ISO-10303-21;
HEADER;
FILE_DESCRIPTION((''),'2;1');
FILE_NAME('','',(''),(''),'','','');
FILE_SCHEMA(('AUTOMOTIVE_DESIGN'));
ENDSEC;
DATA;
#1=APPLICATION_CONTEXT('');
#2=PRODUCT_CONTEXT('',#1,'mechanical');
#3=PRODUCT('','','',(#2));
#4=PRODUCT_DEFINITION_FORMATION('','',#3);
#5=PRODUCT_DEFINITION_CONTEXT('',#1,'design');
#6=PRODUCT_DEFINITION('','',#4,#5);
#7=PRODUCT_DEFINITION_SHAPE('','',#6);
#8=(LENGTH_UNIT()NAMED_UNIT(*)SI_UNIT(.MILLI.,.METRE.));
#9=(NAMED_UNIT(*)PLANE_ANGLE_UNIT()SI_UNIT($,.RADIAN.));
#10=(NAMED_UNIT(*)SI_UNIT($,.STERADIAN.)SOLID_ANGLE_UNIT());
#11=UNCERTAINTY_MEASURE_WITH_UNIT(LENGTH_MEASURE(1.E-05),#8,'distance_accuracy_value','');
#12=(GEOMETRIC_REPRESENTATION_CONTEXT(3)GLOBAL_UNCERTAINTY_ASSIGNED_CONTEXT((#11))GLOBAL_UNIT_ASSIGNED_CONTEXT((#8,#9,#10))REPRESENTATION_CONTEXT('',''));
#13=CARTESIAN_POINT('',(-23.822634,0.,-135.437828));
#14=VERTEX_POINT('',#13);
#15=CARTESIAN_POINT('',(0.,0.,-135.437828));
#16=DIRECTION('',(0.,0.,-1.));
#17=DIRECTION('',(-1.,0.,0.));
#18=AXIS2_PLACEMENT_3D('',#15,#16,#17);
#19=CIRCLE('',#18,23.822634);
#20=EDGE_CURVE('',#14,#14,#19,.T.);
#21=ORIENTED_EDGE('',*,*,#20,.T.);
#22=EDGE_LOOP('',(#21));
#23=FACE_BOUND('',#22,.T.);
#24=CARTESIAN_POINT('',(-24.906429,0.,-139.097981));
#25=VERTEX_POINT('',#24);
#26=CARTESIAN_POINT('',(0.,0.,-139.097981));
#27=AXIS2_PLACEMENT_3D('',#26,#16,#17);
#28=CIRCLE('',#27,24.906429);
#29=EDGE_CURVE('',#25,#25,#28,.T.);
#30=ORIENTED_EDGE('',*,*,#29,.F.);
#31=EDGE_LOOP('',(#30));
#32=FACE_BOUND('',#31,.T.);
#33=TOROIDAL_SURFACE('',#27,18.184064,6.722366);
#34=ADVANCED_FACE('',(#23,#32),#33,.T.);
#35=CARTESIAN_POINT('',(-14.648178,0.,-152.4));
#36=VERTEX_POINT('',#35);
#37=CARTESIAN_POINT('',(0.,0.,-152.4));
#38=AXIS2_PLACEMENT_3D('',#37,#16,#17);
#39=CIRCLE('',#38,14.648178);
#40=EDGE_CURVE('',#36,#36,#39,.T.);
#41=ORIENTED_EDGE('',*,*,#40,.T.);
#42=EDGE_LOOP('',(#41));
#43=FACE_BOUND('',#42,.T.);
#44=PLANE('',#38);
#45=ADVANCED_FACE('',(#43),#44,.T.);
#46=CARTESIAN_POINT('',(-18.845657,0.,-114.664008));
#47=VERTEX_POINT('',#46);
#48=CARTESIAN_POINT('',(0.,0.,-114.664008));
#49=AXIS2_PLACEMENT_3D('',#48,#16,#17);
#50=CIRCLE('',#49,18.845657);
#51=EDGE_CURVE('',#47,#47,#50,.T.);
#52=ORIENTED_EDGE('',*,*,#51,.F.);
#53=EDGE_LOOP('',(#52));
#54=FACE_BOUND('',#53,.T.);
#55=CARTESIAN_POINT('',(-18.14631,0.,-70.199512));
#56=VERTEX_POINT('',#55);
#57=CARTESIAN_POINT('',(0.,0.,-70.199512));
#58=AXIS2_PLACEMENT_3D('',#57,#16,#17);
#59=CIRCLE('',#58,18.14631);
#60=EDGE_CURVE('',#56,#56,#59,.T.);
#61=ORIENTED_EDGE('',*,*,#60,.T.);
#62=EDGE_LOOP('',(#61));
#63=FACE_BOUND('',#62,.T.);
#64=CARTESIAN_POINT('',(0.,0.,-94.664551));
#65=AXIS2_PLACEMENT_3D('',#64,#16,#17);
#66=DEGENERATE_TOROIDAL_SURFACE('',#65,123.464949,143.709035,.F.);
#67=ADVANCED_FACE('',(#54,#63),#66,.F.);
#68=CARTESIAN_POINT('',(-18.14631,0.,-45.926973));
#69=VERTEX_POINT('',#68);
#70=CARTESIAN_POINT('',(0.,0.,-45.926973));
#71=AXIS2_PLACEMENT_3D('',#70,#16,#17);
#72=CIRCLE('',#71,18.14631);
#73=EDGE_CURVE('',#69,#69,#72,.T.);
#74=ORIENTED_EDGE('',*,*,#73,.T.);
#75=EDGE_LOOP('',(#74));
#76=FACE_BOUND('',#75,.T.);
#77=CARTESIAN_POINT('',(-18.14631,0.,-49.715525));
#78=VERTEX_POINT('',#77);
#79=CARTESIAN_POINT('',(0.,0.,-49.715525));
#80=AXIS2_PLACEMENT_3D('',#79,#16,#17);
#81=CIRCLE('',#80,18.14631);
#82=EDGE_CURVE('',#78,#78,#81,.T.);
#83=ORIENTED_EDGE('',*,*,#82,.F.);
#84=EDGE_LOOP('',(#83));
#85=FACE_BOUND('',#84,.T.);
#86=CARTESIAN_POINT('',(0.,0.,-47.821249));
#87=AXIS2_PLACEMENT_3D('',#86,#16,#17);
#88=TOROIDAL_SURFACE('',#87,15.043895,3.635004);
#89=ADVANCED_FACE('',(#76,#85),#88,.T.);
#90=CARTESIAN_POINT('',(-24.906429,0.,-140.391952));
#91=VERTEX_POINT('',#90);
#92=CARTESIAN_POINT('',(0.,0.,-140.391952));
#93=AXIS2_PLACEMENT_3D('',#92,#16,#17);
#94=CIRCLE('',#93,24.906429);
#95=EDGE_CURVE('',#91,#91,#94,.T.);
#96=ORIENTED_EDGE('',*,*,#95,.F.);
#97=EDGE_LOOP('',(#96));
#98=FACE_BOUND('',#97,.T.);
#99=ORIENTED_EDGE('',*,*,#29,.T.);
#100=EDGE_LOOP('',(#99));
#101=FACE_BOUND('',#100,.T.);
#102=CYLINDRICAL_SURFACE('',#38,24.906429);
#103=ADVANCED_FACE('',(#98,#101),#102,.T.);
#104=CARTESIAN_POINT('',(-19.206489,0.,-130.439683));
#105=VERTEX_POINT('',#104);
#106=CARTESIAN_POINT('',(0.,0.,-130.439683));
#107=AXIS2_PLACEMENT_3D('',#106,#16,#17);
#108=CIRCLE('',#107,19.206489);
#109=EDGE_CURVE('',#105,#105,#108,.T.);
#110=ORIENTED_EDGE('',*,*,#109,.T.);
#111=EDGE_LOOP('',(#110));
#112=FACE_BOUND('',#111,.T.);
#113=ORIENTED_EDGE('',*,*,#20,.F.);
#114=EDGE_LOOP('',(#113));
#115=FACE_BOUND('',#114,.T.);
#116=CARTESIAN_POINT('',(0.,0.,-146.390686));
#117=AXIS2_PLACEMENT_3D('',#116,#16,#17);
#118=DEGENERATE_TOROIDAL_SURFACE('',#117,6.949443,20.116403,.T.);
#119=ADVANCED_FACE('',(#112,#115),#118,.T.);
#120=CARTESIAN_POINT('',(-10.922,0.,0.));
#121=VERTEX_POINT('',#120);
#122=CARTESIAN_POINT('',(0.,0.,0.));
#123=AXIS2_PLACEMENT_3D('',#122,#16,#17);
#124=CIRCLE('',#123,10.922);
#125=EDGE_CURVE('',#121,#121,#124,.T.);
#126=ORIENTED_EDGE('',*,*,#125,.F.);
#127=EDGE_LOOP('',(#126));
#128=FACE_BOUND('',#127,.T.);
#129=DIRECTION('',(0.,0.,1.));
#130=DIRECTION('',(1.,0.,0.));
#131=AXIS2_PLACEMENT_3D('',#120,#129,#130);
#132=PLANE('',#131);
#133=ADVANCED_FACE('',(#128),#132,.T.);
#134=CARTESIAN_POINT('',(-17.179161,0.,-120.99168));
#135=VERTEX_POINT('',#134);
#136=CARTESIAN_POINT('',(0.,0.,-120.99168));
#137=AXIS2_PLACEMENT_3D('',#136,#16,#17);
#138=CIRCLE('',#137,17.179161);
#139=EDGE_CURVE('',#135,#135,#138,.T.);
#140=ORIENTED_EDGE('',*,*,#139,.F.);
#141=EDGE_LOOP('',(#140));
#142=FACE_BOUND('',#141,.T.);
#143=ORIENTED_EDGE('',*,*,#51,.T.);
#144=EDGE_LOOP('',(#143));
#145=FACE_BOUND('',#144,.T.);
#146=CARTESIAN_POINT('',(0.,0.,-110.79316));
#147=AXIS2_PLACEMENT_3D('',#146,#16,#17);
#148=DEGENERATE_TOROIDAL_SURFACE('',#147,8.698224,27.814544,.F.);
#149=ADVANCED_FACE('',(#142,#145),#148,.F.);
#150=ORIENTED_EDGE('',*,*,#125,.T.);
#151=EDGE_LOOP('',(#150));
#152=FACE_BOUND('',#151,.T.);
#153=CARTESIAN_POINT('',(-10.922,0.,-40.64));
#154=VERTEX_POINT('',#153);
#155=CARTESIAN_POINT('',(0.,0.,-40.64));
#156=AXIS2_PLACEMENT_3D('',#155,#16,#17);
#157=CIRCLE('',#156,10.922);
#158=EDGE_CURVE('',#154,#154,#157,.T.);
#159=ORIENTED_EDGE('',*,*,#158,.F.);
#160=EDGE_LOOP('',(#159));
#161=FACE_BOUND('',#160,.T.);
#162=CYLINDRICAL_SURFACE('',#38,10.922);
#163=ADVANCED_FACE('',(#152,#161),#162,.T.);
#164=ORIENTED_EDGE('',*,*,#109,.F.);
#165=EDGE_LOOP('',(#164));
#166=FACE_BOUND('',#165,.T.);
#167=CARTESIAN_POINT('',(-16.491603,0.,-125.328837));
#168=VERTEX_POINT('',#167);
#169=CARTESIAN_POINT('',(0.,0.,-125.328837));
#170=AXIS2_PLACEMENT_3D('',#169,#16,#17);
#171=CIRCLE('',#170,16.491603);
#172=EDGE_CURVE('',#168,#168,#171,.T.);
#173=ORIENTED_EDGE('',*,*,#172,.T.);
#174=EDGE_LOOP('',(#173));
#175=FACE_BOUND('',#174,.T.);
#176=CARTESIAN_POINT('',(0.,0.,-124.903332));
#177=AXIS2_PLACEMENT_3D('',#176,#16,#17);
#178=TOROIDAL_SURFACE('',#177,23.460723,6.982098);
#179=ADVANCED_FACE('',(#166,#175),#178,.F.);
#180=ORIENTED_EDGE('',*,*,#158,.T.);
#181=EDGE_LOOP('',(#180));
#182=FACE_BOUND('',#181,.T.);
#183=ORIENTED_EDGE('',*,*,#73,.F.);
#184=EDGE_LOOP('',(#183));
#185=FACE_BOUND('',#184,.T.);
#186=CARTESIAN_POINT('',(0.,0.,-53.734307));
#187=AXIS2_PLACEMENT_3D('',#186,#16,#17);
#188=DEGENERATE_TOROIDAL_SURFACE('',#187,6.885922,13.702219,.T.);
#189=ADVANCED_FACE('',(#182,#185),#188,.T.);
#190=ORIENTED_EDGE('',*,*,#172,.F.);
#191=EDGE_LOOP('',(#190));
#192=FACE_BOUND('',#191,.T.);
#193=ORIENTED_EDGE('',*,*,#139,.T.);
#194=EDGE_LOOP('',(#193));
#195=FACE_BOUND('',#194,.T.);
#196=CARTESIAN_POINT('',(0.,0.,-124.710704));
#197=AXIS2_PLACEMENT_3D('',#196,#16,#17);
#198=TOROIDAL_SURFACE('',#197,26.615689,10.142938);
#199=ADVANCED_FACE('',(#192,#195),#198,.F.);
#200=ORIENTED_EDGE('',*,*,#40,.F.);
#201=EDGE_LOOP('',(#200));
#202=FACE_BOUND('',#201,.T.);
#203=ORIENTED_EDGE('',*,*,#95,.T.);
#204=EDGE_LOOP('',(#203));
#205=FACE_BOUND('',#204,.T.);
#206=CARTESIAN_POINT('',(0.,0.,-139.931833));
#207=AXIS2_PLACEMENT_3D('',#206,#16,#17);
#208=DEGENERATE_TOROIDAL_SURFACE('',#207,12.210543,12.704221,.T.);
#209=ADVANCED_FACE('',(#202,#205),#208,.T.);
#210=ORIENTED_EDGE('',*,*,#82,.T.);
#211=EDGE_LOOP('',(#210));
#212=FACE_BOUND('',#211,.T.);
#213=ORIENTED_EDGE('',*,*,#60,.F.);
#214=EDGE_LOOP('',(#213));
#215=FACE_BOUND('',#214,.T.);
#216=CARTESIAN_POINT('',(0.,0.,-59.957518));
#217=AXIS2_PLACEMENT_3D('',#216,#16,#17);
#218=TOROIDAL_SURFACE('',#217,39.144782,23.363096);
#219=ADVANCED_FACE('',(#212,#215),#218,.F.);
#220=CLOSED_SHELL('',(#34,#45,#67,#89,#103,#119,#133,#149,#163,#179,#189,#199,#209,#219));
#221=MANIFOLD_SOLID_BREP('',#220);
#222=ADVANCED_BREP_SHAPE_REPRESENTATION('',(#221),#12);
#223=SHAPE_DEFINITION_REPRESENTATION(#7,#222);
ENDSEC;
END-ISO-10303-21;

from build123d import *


with BuildPart() as part:
    # Sketch1 → Revolve5 (revolve)
    with BuildSketch(Plane(origin=(0, 0, 0), x_dir=(1, 0, 0), z_dir=(0, 1, 0))):
        with BuildLine():
            Line((-10.922, 0), (0, 0))
            Line((0, 0), (0, 152.4))
            Line((0, 152.4), (-14.648177892, 152.4))
            ThreePointArc((-14.648177892, 152.4), (-21.86995116, 148.183685931), (-24.9064291, 140.391952157))
            Line((-24.9064291, 140.391952157), (-24.9064291, 139.097981176))
            ThreePointArc((-24.9064291, 139.097981176), (-24.629788113, 137.189360348), (-23.822633993, 135.437827898))
            ThreePointArc((-23.822633993, 135.437827898), (-21.727400877, 132.742183052), (-19.206488947, 130.43968311))
            ThreePointArc((-19.206488947, 130.43968311), (-17.294597423, 128.178783744), (-16.491603127, 125.3288372))
            ThreePointArc((-16.491603127, 125.3288372), (-16.597847922, 123.122602782), (-17.179160796, 120.991679599))
            ThreePointArc((-17.179160796, 120.991679599), (-18.199132155, 117.877020277), (-18.845657016, 114.664007692))
            ThreePointArc((-18.845657016, 114.664007692), (-20.226314555, 92.4045447), (-18.146310091, 70.199511728))
            ThreePointArc((-18.146310091, 70.199511728), (-15.781686007, 59.957518133), (-18.146310091, 49.715524538))
            ThreePointArc((-18.146310091, 49.715524538), (-18.678899818, 47.821248891), (-18.146310091, 45.926973244))
            ThreePointArc((-18.146310091, 45.926973244), (-14.978108994, 42.676852004), (-10.922, 40.64))
            Line((-10.922, 40.64), (-10.922, 0))
        make_face()
    revolve(axis=Axis((0, 0, -152.4), (0, 0, 1)))


solid = part.part
